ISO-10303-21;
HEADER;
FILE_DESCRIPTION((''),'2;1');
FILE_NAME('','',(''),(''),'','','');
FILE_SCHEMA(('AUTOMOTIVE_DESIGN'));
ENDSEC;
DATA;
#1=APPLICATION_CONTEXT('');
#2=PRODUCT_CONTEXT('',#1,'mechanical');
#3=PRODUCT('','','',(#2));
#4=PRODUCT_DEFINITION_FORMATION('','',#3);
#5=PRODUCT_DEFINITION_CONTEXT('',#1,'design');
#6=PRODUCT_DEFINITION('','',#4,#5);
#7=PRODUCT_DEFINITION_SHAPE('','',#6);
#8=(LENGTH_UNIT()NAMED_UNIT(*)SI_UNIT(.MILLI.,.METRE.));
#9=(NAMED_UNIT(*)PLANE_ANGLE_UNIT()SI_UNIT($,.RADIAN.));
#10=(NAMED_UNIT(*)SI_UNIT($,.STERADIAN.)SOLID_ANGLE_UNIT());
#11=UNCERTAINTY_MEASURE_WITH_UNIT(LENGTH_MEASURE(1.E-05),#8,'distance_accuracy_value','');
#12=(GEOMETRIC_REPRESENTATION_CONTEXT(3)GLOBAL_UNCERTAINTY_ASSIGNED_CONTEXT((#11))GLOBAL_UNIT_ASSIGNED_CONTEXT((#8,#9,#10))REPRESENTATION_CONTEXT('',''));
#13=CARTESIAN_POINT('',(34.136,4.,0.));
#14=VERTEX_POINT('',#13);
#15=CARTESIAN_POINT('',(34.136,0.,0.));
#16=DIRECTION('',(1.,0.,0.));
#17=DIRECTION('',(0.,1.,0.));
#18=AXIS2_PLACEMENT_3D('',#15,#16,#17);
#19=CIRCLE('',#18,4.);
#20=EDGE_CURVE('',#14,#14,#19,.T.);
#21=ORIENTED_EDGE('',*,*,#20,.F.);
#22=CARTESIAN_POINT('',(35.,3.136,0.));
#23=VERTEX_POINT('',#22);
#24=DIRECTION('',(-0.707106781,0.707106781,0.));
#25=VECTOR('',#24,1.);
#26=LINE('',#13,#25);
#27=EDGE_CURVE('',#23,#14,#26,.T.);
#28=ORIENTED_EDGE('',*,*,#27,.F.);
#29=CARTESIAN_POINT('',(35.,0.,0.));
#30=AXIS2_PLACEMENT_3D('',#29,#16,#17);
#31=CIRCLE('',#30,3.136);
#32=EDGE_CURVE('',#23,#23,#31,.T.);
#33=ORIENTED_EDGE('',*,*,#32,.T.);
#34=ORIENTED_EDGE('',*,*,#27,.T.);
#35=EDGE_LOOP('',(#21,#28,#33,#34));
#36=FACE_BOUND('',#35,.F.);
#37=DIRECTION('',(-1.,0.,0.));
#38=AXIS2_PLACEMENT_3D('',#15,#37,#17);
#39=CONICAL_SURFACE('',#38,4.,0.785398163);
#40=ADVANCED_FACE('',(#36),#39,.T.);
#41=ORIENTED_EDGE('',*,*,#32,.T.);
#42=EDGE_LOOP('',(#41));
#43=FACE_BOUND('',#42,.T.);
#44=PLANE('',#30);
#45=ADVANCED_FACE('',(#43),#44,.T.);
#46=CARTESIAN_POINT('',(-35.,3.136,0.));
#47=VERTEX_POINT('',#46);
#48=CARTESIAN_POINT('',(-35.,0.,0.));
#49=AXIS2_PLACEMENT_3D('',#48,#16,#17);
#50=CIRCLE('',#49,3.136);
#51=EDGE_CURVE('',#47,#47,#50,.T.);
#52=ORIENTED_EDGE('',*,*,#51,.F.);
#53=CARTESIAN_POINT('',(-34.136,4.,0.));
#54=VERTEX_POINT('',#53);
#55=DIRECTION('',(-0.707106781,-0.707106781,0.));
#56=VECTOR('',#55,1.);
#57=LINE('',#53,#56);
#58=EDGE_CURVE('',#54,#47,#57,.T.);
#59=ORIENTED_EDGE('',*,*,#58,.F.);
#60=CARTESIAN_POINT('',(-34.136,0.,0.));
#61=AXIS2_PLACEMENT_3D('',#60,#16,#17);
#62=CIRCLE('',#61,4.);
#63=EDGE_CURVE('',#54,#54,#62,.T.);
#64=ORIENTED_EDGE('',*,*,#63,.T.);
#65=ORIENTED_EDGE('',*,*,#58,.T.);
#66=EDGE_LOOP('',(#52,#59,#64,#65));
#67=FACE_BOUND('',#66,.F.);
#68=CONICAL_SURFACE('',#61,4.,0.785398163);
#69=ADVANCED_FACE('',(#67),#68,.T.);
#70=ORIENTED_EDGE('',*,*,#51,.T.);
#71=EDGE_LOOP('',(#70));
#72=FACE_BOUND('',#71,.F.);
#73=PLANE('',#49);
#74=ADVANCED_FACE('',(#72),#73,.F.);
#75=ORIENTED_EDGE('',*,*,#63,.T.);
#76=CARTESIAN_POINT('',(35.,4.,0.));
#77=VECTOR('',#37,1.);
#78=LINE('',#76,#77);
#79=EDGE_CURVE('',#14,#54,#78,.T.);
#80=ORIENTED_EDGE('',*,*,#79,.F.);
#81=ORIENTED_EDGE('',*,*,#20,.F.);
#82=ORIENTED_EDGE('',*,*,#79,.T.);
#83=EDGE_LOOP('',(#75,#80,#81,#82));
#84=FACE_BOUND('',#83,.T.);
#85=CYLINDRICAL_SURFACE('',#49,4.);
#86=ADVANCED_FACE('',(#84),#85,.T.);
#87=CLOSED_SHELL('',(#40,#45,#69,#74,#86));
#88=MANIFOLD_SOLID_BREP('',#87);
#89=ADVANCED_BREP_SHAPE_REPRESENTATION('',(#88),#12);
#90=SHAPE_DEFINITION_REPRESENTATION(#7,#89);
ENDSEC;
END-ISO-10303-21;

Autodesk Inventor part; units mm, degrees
ref_plane "YZ Plane" through (0, 0, 0) normal (1, 0, 0) x (0, 1, 0)
ref_plane "XZ Plane" through (0, 0, 0) normal (0, 1, 0) x (-1, 0, 0)
sketch "Schizzo1" plane through (0, 0, 0) normal (0, 0, 1) x (1, 0, 0)
  line L0 (35, 4) -> (35, 0)
  line L1 (-35, 0) -> (35, 0)
  line L2 (-49, 0) -> (49, 0) projected
  line L3 (0, 4.8) -> (0, -0.8) projected
  line L4 (-35, 4) -> (-35, 0)
  line L5 (0, 4) -> (0, 0) construction
  line L6 (-49, 0) -> (49, 0) projected
  line L7 (-35, 4) -> (35, 4)
  dimension "d13" = 8
  dimension "d87" = 70
  dimension "d88" = 35
revolve "Corpo" add sketch "Schizzo1" angle 360 about axis through (-35, 0, 0) along (1, 0, 0)
thread "Filettatura1" size "M8x1.25" class "6g" standard "ISO Metric profile" length 70
chamfer "Smusso1" distance 0.864 angle 45 1 edges at (35, -4, 0) measured on face at (11.6667, 3.987, -0.3219)
chamfer "Smusso2" distance 0.864 angle 45 1 edges at (-35, -4, 0) measured on face at (11.0907, 3.987, -0.3219)
ref_plane "Work Plane1" through (2.75, 0, 0) normal (0, -1, 0) x (1, 0, 0)
equation "\"d13\" = NND"
equation "\"d87\" = NLG"
equation "\"d88\" = 0.5 * NLG"
equation "\"d1\" = GEL"
equation "\"d9\" = -0.5 * SPD + 0.5 * NND"
equation "\"d10\" = -0.5 * SPD + 0.5 * NND"
equation "\"d11\" = -0.5 * SPD + 0.5 * NND"
equation "\"d12\" = -0.5 * SPD + 0.5 * NND"
equation "\"NLG\" = 70"
equation "\"GEL\" = NLG"
equation "\"GAL\" = 0.61345 * PTC"
equation "\"SPD\" = 6.272"
equation "\"d0\" = NND"
equation "\"GUL\" = 0.61345 * PTC"
equation "\"NND\" = 8"
equation "\"GUL1\" = GUL"
equation "\"GAL1\" = GAL"
equation "\"d80\" = -GUL - GEL"
equation "\"d86\" = -GEL + GUL1"
equation "\"PTC\" = 1.25"
equation "\"THREADDIA\" = 8"
equation "\"TOA\" = 30deg"
equation "\"GD1\" = THREADDIA - 1.2269 * PTC"
properties part number "DIN 976-1 - M8 x 70 - B" material "Acciaio, Dolce"
